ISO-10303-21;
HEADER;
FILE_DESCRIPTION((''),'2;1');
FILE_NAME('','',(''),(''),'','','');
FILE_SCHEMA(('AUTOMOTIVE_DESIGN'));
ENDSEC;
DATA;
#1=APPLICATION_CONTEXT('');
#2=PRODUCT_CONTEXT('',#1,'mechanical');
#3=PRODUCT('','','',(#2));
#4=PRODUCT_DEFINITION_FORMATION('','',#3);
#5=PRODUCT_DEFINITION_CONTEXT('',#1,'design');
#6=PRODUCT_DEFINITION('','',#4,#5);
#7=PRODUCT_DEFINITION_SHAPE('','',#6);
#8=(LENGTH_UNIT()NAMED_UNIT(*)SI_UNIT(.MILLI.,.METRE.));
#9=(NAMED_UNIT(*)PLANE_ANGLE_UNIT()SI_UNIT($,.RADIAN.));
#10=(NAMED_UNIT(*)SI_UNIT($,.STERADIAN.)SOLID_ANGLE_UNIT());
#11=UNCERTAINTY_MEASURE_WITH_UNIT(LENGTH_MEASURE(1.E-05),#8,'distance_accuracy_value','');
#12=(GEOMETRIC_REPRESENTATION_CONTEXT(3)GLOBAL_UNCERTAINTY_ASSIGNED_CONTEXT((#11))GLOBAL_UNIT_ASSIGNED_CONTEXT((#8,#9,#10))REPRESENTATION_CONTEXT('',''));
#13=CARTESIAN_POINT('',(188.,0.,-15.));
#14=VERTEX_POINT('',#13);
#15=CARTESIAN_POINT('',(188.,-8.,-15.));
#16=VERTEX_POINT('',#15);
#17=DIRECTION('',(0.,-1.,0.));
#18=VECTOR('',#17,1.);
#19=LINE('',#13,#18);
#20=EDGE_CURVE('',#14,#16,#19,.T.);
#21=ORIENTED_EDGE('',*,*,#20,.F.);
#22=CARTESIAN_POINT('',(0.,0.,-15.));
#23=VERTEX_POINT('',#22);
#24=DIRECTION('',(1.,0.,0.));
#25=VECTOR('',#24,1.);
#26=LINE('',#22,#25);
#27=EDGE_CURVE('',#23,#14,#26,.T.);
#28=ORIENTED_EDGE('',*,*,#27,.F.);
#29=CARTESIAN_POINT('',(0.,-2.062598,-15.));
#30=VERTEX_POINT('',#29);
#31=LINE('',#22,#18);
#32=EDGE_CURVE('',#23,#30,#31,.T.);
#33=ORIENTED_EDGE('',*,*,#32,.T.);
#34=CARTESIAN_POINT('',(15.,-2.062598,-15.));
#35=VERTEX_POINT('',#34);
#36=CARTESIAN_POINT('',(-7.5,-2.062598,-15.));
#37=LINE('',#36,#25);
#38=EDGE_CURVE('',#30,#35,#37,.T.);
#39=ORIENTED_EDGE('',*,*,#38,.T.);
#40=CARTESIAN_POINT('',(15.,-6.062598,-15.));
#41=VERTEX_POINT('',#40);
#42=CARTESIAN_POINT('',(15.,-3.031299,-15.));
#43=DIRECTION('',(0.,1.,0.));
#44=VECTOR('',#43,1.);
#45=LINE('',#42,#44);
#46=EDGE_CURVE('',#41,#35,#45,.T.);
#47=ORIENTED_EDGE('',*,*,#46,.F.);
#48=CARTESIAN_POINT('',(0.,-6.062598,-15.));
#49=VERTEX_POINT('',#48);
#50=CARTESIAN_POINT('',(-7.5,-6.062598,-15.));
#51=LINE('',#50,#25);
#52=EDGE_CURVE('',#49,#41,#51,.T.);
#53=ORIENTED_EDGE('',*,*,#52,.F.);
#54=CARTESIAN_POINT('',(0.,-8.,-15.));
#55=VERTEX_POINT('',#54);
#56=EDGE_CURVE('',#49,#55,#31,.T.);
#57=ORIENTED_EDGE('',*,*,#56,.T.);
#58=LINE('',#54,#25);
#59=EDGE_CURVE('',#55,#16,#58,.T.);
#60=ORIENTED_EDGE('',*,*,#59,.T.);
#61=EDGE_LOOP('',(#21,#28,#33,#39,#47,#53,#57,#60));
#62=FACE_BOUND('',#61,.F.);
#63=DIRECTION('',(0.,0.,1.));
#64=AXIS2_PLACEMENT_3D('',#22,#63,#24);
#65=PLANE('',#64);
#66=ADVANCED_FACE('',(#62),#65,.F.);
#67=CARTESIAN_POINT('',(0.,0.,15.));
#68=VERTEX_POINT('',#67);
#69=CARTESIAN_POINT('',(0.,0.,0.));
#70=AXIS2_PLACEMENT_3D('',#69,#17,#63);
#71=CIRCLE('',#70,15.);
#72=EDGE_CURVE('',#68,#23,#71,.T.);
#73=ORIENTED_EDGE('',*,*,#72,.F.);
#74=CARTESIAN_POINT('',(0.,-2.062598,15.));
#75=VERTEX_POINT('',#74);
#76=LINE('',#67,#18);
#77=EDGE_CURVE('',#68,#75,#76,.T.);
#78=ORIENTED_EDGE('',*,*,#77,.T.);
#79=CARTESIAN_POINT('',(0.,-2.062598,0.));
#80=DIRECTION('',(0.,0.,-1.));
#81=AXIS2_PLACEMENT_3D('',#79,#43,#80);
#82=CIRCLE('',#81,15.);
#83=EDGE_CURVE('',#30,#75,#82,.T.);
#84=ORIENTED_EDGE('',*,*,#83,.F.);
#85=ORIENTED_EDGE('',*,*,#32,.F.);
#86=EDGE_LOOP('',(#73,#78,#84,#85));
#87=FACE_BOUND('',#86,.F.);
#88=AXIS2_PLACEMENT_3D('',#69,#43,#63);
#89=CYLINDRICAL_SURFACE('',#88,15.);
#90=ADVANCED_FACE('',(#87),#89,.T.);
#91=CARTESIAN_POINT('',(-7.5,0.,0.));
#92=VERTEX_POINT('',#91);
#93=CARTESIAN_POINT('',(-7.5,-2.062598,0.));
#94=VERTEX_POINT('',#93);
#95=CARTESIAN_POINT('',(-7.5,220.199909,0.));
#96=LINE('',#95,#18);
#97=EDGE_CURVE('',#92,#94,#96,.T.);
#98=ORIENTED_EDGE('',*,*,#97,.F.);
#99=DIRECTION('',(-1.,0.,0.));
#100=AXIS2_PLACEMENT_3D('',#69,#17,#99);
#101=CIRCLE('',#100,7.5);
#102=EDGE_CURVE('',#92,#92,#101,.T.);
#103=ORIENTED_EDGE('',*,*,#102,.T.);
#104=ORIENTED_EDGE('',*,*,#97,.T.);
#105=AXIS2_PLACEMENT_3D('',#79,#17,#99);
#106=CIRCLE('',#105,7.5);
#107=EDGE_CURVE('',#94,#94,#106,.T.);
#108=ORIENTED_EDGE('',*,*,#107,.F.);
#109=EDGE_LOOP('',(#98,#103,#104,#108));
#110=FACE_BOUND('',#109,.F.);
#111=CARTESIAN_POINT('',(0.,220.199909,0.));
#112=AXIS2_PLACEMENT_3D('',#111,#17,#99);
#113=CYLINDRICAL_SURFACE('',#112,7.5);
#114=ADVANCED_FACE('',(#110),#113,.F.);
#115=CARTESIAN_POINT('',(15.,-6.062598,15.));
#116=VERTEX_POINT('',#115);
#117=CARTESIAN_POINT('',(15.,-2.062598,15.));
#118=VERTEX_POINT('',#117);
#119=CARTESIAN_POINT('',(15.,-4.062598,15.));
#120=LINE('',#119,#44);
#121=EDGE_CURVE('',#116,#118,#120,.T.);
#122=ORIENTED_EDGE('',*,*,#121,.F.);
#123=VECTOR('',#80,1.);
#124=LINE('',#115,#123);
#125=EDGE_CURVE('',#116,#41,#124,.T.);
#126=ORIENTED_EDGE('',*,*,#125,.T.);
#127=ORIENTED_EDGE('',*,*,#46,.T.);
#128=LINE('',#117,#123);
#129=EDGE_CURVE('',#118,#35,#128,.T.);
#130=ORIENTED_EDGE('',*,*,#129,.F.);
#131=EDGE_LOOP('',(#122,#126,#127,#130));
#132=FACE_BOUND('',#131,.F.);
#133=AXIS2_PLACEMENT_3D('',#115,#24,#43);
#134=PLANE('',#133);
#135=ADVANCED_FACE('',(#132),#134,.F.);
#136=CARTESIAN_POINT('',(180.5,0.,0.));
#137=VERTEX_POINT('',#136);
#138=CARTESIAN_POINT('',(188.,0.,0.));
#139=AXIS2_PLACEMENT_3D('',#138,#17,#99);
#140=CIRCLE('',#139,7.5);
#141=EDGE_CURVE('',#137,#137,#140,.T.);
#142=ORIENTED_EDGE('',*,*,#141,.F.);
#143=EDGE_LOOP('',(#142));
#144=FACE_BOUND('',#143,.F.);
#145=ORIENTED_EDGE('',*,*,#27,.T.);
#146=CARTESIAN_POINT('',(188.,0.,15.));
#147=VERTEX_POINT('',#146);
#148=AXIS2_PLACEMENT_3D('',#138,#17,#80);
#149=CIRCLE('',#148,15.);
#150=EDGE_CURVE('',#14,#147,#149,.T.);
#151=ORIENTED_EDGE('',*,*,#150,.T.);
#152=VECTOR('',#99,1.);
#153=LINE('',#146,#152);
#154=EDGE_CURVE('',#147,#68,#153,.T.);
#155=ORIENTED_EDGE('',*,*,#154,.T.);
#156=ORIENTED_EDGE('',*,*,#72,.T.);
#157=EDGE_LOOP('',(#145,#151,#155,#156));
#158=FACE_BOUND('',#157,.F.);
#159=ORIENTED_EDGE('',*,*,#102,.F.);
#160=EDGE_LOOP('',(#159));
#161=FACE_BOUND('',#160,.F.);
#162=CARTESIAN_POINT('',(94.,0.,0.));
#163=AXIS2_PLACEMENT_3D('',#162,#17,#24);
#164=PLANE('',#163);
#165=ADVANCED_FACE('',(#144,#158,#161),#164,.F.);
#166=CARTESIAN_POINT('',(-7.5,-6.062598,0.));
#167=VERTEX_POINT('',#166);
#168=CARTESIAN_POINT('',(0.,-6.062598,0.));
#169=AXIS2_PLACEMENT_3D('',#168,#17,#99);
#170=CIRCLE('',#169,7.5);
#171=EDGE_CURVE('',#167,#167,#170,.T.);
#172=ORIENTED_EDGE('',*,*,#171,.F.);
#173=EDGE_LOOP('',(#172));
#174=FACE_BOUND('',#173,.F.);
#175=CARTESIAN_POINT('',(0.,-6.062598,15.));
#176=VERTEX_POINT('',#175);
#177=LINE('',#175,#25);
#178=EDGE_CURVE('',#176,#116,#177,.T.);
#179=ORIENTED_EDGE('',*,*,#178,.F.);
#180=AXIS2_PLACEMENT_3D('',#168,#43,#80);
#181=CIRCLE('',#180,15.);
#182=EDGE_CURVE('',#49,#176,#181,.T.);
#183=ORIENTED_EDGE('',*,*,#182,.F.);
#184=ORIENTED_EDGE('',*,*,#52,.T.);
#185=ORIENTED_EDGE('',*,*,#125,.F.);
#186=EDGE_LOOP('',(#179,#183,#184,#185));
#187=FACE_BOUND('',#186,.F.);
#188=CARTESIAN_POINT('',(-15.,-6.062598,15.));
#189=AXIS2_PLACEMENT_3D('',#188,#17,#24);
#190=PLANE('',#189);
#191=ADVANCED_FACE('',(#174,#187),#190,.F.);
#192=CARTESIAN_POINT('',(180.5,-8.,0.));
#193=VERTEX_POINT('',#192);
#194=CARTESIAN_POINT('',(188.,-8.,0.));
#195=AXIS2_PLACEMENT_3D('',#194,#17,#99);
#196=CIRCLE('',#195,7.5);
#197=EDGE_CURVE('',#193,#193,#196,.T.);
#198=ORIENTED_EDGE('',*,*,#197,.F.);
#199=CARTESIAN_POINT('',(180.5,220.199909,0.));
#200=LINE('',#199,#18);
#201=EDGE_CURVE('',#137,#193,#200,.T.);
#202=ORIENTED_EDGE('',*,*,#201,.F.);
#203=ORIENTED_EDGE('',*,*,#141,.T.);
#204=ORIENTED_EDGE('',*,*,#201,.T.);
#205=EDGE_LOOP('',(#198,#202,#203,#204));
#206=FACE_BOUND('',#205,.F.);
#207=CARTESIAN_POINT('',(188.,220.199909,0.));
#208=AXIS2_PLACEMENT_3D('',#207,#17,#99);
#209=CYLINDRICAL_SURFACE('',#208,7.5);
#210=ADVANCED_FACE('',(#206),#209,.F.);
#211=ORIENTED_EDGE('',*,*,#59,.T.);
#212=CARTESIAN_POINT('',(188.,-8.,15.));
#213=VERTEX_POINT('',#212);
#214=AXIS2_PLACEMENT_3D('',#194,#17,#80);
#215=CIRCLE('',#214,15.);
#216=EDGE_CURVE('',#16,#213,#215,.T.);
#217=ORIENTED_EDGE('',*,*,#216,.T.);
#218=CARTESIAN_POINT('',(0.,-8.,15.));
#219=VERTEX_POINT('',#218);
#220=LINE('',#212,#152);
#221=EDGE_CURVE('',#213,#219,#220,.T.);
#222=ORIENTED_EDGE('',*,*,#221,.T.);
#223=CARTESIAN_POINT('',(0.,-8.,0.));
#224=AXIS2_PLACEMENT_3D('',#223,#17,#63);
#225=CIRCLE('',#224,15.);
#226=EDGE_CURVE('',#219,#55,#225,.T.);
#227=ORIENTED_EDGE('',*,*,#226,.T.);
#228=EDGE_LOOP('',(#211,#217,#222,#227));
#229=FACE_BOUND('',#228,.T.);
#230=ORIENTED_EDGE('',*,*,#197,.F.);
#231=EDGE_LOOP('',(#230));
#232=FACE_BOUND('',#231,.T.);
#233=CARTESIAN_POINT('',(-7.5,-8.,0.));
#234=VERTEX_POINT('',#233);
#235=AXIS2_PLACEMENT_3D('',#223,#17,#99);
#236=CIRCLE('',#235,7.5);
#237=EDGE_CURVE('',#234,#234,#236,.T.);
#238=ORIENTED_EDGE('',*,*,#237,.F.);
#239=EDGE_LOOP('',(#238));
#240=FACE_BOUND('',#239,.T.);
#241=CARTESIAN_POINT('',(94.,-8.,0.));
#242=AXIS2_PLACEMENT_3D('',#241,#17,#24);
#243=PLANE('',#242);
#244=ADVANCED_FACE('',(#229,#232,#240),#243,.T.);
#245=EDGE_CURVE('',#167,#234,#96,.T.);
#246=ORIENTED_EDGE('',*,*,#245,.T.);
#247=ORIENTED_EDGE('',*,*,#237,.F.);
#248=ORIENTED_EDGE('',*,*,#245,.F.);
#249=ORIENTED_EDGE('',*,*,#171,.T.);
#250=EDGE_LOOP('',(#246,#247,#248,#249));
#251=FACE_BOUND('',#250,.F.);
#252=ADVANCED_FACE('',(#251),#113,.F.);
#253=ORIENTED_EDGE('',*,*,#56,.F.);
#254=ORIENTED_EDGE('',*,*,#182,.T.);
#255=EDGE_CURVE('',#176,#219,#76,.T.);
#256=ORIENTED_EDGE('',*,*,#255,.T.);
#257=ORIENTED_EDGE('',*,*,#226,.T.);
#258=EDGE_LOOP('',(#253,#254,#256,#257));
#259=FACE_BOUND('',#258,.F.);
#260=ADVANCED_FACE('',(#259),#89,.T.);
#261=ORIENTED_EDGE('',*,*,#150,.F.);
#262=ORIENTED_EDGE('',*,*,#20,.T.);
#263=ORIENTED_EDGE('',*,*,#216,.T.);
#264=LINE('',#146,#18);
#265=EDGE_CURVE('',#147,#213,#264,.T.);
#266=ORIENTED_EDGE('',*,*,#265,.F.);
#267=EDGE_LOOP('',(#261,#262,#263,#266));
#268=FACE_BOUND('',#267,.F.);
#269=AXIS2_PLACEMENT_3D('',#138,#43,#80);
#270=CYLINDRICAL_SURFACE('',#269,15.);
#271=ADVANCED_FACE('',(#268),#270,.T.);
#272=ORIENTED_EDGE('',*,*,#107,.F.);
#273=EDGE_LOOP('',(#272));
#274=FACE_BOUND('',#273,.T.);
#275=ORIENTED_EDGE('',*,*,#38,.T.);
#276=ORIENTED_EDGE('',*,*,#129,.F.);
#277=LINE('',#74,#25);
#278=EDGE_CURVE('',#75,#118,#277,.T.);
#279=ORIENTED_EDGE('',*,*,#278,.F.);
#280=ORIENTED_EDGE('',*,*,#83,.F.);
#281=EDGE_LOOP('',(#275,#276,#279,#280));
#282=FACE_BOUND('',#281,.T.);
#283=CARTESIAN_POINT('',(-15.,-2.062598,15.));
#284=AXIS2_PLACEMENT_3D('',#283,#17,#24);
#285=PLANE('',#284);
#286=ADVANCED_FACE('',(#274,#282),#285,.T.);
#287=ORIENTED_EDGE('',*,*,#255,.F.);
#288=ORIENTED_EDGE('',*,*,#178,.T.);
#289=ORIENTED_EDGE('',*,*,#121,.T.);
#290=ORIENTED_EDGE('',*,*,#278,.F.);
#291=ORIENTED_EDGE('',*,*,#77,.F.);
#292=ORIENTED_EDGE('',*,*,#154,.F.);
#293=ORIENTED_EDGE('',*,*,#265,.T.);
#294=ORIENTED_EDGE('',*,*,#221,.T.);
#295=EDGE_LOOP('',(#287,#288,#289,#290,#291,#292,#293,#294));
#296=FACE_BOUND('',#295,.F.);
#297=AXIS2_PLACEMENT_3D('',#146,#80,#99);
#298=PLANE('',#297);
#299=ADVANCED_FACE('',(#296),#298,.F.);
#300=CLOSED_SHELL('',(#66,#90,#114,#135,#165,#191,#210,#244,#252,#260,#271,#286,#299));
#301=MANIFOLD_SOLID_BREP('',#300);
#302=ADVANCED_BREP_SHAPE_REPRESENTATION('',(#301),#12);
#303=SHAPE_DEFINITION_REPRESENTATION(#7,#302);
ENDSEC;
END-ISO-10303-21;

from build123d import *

# Parameters (mm, degrees)
F1_DEPTH = 8
F2_D     = 15
F3_D     = 15
F5_W     = 30
F5_H     = 4
F6_DEPTH = 30.001


with BuildPart() as f1:
    # F0 (on Front) → F1 (new body)
    with BuildSketch(Plane.XZ):
        with BuildLine():
            Line((188, 15), (0, 15))
            ThreePointArc((0, 15), (-15, 0), (0, -15))
            Line((0, -15), (188, -15))
            ThreePointArc((188, -15), (203, 0), (188, 15))
        make_face()
    extrude(amount=F1_DEPTH)

    # F2 (through all)
    with Locations(Plane(origin=(0, 0, 0), x_dir=(1, 0, 0), z_dir=(0, 1, 0))):
        with Locations((0, 0)):
            Hole(F2_D / 2)

    # F3 (through all)
    with Locations(Plane(origin=(0, 0, 0), x_dir=(1, 0, 0), z_dir=(0, 1, 0))):
        with Locations((188, 0)):
            Hole(F3_D / 2)

    # F5 (on offset) → F6 (cut, through all)
    with BuildSketch(Plane.XY.offset(15)):
        with Locations((0, -4.0625976841)):
            Rectangle(F5_W, F5_H)
    extrude(amount=-F6_DEPTH, mode=Mode.SUBTRACT)


solid = f1.part
